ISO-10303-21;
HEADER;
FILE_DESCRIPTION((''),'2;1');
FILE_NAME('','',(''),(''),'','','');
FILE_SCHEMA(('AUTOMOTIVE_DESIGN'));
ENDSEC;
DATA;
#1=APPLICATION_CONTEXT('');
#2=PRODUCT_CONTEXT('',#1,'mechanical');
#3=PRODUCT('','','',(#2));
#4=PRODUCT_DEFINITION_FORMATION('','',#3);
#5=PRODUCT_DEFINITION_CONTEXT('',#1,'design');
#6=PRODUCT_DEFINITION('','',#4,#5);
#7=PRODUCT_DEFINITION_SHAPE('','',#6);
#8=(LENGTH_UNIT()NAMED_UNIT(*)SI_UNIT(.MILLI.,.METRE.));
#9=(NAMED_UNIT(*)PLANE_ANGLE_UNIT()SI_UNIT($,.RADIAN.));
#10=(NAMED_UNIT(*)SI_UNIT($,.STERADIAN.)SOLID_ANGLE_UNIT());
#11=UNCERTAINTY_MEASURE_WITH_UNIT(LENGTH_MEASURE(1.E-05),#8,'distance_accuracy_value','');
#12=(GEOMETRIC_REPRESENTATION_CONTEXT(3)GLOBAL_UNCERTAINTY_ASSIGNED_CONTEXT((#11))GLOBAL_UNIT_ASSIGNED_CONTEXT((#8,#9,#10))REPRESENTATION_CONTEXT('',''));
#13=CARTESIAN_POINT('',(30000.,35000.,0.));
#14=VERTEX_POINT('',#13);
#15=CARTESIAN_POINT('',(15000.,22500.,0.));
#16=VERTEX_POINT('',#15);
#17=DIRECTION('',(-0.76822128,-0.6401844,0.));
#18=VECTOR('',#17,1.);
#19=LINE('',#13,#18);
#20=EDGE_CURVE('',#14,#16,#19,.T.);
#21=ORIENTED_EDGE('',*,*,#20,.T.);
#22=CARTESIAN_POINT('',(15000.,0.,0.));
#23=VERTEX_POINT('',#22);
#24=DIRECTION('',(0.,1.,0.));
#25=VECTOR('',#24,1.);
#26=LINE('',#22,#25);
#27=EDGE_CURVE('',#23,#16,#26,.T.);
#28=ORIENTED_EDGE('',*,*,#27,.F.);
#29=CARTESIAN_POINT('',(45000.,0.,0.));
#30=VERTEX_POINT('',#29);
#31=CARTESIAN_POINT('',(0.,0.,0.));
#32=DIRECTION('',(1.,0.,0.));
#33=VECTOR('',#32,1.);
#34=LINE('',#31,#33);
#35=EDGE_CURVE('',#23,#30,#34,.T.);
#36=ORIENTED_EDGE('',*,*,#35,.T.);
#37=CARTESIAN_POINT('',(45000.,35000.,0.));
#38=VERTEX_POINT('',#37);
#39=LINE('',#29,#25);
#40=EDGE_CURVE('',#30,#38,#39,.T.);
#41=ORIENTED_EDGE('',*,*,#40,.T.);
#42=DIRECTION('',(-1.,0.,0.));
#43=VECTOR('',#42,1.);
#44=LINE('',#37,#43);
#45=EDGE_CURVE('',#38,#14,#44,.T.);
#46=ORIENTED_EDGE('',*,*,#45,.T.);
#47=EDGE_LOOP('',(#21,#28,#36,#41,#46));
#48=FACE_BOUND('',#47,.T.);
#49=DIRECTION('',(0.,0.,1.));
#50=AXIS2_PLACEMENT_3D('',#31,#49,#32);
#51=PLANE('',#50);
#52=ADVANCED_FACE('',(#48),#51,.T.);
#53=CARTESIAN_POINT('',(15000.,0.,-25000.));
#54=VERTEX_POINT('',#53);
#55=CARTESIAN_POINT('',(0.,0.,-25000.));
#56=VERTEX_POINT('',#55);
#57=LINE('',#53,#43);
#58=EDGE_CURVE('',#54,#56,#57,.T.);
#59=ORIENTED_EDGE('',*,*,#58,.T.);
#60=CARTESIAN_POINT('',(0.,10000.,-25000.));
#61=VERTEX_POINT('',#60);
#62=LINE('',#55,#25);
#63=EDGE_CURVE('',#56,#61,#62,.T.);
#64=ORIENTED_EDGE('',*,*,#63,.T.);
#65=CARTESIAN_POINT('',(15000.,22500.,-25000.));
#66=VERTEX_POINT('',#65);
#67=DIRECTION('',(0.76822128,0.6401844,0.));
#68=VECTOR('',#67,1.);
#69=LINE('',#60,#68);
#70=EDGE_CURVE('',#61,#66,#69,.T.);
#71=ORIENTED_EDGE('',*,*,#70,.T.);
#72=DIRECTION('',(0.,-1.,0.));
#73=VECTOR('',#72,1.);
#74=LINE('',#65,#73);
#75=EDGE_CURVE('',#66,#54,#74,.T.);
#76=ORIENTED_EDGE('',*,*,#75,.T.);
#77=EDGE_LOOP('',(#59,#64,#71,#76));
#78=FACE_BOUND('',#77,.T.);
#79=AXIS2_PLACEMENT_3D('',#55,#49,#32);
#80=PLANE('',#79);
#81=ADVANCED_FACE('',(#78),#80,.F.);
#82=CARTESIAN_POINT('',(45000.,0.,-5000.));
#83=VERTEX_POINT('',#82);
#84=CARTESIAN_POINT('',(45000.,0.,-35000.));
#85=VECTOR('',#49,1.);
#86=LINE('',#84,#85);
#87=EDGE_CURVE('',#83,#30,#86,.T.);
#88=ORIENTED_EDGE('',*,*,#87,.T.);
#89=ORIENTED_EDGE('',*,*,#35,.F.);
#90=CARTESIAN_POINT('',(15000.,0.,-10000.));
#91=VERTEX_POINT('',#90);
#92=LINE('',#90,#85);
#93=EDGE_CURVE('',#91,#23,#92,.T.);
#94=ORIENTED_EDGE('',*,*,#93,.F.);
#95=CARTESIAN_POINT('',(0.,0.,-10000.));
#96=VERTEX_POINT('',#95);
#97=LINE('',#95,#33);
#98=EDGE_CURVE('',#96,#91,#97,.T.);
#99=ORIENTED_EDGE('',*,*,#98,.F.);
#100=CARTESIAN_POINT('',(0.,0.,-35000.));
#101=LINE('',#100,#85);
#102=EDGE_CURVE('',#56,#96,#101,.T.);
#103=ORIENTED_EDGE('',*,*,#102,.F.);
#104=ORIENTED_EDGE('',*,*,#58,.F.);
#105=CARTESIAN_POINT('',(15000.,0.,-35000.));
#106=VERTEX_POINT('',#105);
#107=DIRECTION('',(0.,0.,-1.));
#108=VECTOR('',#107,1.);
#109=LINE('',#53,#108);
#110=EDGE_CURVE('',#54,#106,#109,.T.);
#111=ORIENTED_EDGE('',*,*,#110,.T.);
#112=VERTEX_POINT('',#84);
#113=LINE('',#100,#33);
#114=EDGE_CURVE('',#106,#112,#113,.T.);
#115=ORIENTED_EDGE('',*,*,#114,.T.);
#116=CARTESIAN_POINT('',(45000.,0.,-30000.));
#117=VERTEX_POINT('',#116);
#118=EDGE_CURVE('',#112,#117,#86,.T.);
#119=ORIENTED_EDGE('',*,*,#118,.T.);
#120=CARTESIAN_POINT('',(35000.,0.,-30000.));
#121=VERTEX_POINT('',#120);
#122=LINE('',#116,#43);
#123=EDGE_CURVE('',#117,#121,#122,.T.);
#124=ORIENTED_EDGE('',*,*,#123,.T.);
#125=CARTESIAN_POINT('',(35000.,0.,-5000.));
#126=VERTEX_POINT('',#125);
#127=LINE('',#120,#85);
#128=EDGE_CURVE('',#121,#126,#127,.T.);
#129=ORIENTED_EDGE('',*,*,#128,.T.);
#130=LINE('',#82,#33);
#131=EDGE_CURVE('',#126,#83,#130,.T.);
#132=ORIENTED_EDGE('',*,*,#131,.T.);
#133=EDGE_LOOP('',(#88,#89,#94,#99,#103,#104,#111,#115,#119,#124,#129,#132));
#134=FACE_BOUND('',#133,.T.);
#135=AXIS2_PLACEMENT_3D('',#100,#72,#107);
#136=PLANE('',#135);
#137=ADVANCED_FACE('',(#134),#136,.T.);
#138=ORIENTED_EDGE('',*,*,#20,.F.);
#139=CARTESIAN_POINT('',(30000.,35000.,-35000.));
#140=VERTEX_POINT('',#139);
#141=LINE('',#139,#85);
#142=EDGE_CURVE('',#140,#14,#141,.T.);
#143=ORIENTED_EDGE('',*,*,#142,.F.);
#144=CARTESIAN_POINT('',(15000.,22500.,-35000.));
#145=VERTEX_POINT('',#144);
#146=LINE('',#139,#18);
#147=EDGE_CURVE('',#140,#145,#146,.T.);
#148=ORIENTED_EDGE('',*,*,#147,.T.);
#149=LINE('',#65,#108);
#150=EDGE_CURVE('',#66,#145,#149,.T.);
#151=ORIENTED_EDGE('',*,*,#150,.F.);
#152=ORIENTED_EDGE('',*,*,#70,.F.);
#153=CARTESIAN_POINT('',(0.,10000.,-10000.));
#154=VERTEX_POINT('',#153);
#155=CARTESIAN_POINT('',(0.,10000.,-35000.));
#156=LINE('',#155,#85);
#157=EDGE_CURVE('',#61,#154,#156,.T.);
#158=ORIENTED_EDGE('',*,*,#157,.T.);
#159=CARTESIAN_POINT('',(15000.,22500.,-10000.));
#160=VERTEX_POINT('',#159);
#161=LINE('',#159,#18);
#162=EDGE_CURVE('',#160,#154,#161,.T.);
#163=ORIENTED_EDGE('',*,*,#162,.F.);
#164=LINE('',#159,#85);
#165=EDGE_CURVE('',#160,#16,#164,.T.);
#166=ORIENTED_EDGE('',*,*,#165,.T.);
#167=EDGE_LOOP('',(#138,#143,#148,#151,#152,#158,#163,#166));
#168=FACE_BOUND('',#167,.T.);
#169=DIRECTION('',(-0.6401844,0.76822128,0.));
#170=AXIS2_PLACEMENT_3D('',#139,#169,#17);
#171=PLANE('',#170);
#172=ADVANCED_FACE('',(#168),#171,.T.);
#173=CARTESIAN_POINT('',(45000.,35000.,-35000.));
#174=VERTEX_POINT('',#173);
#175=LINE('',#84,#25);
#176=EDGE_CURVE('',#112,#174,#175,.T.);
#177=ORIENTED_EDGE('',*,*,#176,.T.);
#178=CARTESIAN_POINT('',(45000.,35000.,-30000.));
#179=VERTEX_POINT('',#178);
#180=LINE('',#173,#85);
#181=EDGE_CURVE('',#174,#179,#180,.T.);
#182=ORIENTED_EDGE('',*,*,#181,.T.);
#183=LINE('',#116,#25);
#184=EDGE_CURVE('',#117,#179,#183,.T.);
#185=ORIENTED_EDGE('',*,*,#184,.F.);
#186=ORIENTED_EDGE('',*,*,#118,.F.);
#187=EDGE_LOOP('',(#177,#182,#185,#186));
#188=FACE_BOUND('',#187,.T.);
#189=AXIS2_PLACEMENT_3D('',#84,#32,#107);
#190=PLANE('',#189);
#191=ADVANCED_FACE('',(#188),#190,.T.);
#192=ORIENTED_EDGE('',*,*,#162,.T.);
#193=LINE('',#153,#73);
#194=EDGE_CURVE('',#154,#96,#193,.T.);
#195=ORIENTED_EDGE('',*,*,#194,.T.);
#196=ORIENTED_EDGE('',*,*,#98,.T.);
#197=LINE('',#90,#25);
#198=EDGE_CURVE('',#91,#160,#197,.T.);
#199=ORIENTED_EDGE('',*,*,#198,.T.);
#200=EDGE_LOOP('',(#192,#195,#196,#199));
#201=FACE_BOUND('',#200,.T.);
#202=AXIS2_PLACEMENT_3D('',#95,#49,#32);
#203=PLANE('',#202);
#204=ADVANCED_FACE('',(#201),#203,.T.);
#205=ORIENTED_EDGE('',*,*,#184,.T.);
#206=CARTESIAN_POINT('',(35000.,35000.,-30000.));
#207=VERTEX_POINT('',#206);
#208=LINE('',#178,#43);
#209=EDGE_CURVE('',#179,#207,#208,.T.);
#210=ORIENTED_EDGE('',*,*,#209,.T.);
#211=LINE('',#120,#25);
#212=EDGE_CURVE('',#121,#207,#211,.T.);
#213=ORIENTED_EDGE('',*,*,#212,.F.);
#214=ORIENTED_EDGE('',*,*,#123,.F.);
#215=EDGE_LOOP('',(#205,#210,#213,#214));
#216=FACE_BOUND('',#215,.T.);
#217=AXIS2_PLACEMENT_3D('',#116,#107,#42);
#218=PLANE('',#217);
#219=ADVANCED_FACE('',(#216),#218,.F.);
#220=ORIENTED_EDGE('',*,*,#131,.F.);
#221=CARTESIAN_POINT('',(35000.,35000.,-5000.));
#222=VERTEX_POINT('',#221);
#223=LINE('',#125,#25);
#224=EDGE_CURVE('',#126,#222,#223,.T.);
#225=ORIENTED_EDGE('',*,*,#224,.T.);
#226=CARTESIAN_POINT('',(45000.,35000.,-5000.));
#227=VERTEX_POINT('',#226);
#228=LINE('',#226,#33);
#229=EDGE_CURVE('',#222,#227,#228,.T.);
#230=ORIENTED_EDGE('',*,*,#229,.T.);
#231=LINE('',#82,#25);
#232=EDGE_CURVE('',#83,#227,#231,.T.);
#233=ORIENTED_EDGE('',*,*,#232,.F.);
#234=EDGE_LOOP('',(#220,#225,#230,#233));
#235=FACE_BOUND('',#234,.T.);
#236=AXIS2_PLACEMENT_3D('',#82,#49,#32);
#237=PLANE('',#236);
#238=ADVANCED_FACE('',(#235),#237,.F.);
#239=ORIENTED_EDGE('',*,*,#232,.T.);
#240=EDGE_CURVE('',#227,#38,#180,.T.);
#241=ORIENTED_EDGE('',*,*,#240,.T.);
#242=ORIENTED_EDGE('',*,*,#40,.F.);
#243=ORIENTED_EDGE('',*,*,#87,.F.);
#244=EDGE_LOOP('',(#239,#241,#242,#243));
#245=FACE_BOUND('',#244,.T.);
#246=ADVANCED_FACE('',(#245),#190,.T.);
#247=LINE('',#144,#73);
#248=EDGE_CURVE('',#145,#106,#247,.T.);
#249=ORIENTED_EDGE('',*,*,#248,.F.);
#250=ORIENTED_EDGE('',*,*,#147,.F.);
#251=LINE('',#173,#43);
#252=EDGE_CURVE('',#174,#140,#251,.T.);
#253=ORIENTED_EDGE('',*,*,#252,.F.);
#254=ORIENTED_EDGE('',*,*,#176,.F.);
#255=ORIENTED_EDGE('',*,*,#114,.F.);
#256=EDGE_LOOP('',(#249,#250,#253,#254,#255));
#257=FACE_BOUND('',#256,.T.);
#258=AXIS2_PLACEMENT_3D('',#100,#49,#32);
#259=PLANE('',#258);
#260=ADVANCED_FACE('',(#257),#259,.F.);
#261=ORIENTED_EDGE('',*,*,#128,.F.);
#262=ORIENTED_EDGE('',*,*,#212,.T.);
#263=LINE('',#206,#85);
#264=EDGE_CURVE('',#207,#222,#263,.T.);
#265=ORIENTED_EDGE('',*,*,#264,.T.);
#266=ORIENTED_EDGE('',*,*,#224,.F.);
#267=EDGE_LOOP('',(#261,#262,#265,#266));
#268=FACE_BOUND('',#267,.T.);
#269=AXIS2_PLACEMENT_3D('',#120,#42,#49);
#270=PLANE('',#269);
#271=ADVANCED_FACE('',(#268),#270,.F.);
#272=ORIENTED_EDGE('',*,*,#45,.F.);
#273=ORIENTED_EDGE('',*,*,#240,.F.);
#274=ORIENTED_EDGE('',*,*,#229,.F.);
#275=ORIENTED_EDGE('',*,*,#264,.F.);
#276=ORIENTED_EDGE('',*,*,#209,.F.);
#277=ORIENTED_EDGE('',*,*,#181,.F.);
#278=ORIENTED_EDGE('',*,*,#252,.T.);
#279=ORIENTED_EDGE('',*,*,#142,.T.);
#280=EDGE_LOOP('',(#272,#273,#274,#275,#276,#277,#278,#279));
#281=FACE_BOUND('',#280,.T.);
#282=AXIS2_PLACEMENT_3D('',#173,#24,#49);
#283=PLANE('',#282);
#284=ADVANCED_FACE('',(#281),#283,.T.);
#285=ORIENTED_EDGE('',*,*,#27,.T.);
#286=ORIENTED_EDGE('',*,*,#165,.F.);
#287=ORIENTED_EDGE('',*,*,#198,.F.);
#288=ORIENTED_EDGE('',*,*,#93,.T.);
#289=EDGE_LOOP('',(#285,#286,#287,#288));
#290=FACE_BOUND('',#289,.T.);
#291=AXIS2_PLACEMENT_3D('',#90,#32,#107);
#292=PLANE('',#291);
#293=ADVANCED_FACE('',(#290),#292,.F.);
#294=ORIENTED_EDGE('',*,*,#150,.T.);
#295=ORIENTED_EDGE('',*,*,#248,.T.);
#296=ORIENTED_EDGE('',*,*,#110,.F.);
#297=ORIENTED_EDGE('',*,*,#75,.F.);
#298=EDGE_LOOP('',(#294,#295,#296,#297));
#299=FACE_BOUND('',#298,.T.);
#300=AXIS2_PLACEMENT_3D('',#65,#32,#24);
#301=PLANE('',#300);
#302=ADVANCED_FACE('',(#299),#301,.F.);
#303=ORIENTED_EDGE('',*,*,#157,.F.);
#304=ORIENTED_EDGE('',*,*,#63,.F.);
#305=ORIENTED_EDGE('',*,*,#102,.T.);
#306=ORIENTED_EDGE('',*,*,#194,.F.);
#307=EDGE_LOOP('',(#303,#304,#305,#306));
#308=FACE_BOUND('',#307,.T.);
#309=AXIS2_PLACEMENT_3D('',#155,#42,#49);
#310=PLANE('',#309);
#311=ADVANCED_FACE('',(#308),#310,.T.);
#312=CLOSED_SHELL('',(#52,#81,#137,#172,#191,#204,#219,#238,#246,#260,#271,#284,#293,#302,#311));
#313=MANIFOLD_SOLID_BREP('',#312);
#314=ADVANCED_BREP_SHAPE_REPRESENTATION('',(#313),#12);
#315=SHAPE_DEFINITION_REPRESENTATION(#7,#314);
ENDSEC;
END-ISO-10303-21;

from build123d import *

# Parameters (mm, degrees)
BOSS_EXTRUDE1_DEPTH = 35000
SKETCH3_W           = 10000
SKETCH3_H           = 25000
CUT_EXTRUDE1_DEPTH  = 66896.440801298
CUT_EXTRUDE2_DEPTH  = 10000
CUT_EXTRUDE3_DEPTH  = 10000


with BuildPart() as part:
    # Sketch1 → Boss-Extrude1 (new body)
    with BuildSketch(Plane.XY):
        Polygon((0, 0), (45000, 0), (45000, 35000), (30000, 35000), (0, 10000), align=None)
    extrude(amount=-BOSS_EXTRUDE1_DEPTH)

    # Sketch3 → Cut-Extrude1 (cut, through all)
    with BuildSketch(Plane(origin=(0, 35000, 0), x_dir=(1, 0, 0), z_dir=(0, 1, 0))):
        with Locations((40000, 17500)):
            Rectangle(SKETCH3_W, SKETCH3_H)
    extrude(amount=-CUT_EXTRUDE1_DEPTH, mode=Mode.SUBTRACT)

    # Sketch4 → Cut-Extrude2 (cut)
    with BuildSketch(Plane.XY):
        Polygon((0, 0), (15000, 0), (15000, 22500), (0, 10000), align=None)
    extrude(amount=-CUT_EXTRUDE2_DEPTH, mode=Mode.SUBTRACT)

    # Sketch5 → Cut-Extrude3 (cut)
    with BuildSketch(Plane(origin=(0, 0, -35000), x_dir=(-1, 0, 0), z_dir=(0, 0, -1))):
        Polygon((0, 10000), (-15000, 22500), (-15000, 0), (0, 0), align=None)
    extrude(amount=-CUT_EXTRUDE3_DEPTH, mode=Mode.SUBTRACT)


solid = part.part
